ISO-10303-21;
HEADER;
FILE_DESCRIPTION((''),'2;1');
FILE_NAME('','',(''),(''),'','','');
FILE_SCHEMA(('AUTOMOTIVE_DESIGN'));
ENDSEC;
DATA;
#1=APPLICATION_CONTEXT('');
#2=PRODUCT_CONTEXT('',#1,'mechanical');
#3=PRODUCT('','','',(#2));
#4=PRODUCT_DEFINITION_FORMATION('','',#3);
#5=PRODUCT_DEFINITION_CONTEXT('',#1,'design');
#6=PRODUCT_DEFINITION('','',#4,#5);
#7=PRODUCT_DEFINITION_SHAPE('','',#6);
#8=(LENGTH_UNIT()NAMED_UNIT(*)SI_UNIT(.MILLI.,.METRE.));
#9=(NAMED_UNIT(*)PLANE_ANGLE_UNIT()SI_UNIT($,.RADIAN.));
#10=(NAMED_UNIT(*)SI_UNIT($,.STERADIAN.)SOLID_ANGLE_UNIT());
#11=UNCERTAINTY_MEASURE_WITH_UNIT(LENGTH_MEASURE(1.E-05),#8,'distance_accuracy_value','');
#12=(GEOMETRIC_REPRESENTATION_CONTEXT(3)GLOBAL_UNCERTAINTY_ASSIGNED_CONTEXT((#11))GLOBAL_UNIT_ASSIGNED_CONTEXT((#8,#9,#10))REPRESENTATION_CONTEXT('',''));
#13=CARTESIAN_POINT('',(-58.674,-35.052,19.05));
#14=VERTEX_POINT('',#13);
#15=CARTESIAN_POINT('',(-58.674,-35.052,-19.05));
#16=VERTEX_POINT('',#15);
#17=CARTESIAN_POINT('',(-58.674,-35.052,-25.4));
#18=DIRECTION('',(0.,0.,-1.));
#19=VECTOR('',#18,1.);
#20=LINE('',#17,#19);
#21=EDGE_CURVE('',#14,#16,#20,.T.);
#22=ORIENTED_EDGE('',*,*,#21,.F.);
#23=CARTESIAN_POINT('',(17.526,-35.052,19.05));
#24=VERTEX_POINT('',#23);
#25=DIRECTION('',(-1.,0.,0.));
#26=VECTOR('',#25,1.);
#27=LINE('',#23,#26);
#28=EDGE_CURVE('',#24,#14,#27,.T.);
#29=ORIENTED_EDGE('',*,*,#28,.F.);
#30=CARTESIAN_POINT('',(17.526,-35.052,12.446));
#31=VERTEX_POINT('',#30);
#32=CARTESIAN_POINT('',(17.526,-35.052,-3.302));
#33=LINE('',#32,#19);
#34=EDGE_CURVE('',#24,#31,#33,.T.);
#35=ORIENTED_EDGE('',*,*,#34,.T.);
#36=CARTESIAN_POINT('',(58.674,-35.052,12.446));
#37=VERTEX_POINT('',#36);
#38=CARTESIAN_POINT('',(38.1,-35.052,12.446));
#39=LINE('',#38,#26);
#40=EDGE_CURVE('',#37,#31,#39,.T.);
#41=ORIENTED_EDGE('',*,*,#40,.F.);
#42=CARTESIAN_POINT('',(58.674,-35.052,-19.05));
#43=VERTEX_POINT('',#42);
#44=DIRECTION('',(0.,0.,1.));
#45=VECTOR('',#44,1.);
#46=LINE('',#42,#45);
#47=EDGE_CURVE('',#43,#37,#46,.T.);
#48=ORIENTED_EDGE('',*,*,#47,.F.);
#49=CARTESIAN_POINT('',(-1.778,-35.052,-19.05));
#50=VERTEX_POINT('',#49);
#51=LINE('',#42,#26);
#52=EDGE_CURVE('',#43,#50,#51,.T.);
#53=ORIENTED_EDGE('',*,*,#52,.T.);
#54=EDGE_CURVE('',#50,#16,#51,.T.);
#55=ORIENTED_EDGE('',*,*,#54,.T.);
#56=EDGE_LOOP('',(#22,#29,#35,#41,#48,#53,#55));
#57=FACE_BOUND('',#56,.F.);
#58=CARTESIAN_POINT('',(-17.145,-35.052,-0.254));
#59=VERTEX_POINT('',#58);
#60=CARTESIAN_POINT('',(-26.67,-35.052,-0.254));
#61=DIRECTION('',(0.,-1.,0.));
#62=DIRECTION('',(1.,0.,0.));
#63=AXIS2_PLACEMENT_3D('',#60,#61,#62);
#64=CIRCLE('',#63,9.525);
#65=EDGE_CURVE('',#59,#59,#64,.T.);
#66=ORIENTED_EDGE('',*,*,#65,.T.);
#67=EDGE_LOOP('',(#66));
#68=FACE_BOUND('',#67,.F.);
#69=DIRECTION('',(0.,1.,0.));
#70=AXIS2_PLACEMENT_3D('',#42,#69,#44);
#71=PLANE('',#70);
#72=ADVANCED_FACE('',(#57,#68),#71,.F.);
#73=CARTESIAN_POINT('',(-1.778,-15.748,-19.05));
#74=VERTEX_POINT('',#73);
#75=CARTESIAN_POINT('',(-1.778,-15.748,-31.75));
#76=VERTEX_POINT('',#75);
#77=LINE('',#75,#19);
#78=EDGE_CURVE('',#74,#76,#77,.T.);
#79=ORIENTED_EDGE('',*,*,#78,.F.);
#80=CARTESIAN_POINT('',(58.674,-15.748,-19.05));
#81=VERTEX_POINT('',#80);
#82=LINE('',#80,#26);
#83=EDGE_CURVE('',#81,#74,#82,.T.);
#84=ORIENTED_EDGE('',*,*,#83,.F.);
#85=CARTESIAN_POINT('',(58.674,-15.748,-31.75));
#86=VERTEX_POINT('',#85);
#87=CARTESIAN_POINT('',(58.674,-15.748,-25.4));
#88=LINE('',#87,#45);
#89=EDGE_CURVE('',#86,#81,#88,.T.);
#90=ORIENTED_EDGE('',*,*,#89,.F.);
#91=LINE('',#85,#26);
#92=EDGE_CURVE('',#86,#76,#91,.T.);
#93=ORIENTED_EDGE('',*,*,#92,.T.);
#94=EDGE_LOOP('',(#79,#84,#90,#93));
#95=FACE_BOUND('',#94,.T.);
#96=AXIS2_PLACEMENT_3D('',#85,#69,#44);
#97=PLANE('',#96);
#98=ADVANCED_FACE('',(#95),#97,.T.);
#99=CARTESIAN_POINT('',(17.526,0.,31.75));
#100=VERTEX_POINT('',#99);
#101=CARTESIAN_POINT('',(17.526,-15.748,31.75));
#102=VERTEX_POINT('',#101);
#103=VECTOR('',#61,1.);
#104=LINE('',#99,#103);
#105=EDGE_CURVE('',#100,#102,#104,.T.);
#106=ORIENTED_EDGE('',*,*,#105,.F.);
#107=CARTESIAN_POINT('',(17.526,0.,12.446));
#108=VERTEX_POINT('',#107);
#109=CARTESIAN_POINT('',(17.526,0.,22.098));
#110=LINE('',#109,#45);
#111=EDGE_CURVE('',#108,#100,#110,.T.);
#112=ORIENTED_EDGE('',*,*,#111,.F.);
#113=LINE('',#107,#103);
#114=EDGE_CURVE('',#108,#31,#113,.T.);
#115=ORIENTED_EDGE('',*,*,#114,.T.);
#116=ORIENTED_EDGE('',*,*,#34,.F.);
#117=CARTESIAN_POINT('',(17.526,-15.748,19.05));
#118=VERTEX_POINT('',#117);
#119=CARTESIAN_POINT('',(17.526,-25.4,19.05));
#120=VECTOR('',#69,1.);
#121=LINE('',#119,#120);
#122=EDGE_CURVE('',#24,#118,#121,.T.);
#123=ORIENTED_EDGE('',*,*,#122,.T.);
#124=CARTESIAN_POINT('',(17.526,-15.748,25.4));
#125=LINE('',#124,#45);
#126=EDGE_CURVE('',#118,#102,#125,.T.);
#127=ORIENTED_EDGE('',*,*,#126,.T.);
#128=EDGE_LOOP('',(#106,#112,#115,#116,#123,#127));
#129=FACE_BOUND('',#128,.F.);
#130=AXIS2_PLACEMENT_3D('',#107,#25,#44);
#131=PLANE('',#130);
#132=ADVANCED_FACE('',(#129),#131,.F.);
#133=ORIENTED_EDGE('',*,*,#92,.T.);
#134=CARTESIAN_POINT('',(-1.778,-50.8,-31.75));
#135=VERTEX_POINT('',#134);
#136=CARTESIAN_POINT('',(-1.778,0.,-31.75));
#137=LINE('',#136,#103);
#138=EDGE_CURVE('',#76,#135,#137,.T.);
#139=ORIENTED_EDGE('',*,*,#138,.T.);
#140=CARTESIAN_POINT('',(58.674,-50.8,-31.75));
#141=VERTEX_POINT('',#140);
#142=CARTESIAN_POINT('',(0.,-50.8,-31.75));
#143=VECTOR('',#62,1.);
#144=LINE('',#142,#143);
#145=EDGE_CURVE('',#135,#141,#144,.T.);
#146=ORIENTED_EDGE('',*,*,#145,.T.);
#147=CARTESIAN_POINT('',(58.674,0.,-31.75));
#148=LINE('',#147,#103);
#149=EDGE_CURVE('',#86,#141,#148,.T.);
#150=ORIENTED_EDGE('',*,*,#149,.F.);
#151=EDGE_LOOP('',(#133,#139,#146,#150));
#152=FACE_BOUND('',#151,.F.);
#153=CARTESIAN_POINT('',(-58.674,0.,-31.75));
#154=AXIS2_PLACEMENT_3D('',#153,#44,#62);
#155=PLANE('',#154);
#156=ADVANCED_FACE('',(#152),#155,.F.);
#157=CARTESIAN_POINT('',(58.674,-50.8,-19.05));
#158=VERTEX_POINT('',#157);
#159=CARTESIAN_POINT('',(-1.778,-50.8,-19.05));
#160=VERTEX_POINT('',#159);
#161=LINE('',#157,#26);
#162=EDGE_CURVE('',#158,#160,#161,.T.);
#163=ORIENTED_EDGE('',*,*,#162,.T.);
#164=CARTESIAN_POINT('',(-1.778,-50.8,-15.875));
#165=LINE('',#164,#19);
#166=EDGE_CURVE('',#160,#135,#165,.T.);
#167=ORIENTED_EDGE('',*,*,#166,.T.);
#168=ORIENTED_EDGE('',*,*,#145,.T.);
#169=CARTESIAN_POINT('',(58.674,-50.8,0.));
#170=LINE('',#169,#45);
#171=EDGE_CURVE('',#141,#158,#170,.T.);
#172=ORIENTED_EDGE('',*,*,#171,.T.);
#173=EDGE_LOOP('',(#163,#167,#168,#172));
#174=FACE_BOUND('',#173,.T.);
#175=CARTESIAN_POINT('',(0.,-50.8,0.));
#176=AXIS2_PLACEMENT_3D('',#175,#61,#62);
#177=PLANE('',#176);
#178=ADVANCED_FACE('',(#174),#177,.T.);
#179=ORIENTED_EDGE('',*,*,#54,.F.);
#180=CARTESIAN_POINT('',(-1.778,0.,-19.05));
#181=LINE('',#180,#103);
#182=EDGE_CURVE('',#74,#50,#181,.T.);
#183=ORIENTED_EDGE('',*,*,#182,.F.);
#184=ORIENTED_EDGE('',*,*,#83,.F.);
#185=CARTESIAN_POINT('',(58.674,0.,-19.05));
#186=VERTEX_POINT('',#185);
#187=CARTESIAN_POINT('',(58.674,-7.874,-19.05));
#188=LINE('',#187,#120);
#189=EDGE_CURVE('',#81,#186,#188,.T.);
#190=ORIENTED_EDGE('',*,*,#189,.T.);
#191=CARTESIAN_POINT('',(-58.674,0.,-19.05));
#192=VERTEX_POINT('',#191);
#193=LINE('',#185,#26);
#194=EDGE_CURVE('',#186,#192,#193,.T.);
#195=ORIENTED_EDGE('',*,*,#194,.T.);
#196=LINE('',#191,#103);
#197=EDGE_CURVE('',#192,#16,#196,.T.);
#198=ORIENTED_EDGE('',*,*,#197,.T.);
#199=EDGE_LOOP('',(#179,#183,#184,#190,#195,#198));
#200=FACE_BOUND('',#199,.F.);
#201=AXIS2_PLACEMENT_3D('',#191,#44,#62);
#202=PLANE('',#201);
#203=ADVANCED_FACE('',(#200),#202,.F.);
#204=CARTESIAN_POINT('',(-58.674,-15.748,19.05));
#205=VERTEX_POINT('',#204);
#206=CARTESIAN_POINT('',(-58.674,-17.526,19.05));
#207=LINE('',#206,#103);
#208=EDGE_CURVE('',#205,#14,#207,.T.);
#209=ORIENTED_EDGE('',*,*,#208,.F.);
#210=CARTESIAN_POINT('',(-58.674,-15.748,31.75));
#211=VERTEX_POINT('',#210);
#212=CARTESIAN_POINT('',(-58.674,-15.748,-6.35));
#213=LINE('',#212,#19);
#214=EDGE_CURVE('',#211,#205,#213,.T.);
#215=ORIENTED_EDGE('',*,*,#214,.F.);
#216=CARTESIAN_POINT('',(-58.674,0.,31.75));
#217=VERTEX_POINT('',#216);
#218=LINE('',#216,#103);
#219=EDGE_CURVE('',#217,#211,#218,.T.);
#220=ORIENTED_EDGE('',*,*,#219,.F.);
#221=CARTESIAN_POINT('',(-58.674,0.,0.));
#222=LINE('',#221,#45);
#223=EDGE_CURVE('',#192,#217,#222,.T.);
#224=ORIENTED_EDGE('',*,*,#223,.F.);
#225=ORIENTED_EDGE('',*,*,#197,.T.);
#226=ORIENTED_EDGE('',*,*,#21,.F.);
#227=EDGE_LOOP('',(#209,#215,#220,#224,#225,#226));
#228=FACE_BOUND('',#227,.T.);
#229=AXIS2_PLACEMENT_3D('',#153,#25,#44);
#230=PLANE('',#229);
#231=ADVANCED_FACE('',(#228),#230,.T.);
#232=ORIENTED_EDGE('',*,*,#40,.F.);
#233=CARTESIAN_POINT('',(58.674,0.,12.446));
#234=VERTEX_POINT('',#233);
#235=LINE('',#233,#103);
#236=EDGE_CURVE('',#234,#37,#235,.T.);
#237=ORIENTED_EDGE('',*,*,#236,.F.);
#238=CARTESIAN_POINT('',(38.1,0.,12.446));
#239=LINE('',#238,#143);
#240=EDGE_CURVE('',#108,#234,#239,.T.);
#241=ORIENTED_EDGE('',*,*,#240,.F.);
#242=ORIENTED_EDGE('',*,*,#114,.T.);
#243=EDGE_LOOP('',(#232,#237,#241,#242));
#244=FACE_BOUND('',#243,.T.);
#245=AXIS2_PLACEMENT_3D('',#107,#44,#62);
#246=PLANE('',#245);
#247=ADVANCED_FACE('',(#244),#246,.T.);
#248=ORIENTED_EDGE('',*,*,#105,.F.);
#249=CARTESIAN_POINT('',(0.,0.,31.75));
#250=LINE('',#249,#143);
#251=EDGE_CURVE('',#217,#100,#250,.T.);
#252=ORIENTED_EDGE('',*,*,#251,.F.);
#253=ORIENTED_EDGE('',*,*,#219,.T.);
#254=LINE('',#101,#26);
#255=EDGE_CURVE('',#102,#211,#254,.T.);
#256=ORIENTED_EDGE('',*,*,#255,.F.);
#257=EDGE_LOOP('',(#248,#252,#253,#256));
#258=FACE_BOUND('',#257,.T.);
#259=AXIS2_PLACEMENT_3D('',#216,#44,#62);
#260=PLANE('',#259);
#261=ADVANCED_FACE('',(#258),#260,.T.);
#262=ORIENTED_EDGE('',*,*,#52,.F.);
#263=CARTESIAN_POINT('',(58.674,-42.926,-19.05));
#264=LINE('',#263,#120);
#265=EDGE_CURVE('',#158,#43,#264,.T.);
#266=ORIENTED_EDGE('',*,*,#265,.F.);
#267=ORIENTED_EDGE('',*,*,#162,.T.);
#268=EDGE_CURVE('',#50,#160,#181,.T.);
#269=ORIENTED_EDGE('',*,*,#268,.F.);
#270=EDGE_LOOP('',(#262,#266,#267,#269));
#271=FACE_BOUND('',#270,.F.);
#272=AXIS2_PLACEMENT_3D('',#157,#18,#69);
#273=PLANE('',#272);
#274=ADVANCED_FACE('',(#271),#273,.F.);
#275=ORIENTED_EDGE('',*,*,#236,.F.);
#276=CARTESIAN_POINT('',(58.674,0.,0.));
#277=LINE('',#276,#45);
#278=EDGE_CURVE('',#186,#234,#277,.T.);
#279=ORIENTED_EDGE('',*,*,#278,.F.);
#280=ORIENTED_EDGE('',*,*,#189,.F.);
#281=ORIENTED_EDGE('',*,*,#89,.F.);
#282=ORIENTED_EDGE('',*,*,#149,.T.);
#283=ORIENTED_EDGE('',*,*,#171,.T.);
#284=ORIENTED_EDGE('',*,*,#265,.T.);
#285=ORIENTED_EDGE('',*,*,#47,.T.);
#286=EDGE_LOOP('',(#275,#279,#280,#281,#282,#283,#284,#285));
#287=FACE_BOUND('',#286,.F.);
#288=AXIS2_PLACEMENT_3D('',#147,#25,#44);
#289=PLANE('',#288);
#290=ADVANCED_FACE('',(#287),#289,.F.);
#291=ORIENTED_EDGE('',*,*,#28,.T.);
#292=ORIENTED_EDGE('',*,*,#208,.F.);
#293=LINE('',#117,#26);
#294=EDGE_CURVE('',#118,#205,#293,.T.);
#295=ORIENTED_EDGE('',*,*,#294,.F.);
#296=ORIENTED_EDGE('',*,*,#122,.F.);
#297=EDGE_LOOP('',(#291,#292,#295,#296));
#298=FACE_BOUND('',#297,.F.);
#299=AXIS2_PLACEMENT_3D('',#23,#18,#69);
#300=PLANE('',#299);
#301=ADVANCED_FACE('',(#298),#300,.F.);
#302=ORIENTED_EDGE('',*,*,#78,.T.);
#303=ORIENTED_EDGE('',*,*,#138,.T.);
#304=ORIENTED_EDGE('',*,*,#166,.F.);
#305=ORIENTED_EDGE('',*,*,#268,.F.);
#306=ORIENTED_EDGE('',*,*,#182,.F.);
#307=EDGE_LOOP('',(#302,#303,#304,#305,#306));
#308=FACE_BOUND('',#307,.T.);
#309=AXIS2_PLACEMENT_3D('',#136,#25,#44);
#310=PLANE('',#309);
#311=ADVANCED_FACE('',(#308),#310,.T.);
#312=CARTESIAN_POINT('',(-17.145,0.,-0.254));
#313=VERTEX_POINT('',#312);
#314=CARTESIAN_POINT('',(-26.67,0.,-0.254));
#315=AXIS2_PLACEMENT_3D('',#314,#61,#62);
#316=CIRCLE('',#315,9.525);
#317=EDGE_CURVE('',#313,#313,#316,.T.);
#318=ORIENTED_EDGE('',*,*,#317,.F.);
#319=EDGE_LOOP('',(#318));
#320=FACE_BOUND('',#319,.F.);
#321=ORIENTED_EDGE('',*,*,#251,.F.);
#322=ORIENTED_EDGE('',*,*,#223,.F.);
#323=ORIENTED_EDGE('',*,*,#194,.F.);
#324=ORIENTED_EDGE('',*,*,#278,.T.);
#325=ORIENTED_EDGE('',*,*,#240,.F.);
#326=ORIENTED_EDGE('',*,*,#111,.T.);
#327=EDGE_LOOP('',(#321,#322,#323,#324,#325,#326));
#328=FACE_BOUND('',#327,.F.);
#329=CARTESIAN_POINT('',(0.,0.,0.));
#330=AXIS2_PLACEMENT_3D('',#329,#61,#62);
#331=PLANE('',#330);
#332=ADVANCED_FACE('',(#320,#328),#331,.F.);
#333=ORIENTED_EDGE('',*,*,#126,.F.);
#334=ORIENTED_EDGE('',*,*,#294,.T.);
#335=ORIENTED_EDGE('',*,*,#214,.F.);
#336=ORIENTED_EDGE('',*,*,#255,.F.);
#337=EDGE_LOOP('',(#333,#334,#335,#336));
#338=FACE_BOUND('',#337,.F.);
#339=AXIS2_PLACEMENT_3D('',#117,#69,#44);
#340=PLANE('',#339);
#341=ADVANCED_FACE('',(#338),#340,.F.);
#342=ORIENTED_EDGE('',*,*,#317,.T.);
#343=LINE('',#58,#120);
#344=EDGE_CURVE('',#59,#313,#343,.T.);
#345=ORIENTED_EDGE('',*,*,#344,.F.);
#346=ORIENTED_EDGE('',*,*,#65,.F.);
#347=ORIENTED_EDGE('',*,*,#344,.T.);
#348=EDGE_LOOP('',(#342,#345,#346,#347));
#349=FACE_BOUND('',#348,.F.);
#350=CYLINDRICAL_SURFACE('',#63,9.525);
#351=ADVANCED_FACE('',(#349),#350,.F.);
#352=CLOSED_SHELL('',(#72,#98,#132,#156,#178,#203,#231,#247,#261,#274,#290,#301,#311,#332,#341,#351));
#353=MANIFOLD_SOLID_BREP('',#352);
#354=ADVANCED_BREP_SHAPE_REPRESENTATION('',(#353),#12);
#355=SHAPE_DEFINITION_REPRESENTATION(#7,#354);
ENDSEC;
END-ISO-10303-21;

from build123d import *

# Parameters (mm, degrees)
F0_W      = 117.348
F0_H      = 63.5
F1_DEPTH  = 50.8
F2_W      = 41.148
F2_H      = 19.304
F3_DEPTH  = 50.801
F4_W      = 56.896
F4_H      = 12.7
F5_DEPTH  = 50.801
F6_W      = 15.748
F6_H      = 12.7
F7_DEPTH  = 117.349
F8_W      = 15.748
F8_H      = 19.304
F8_H_2    = 31.496
F9_DEPTH  = 117.349
F10_W     = 19.304
F10_H     = 12.7
F11_DEPTH = 76.201
F12_R     = 9.525
F13_DEPTH = 35.053


with BuildPart() as f1:
    # F0 (on Front) → F1 (new body)
    with BuildSketch(Plane.XZ):
        Rectangle(F0_W, F0_H)
    extrude(amount=F1_DEPTH)

    # F2 (on Front) → F3 (cut, through all)
    with BuildSketch(Plane.XZ):
        with Locations((38.1, 22.098)):
            Rectangle(F2_W, F2_H)
    extrude(amount=F3_DEPTH, mode=Mode.SUBTRACT)

    # F4 (on Front) → F5 (cut, through all)
    with BuildSketch(Plane.XZ):
        with Locations((-30.226, -25.4)):
            Rectangle(F4_W, F4_H)
    extrude(amount=F5_DEPTH, mode=Mode.SUBTRACT)

    # F6 (on face) → F7 (cut, through all)
    with BuildSketch(Plane.YZ.offset(58.674)):
        with Locations((-7.874, -25.4)):
            Rectangle(F6_W, F6_H)
    extrude(amount=-F7_DEPTH, mode=Mode.SUBTRACT)

    # F8 (on face) → F9 (cut, through all)
    with BuildSketch(Plane.YZ.offset(58.674)):
        with Locations((-42.926, 22.098)):
            Rectangle(F8_W, F8_H)
        with Locations((-42.926, -3.302)):
            Rectangle(F8_W, F8_H_2)
    extrude(amount=-F9_DEPTH, mode=Mode.SUBTRACT)

    # F10 (on face) → F11 (cut, through all)
    with BuildSketch(Plane.YZ.offset(17.526)):
        with Locations((-25.4, 25.4)):
            Rectangle(F10_W, F10_H)
    extrude(amount=-F11_DEPTH, mode=Mode.SUBTRACT)

    # F12 (on face) → F13 (cut, through all)
    with BuildSketch(Plane.XZ.offset(35.052)):
        with Locations((-26.67, -0.254)):
            Circle(F12_R)
    extrude(amount=-F13_DEPTH, mode=Mode.SUBTRACT)


solid = f1.part
